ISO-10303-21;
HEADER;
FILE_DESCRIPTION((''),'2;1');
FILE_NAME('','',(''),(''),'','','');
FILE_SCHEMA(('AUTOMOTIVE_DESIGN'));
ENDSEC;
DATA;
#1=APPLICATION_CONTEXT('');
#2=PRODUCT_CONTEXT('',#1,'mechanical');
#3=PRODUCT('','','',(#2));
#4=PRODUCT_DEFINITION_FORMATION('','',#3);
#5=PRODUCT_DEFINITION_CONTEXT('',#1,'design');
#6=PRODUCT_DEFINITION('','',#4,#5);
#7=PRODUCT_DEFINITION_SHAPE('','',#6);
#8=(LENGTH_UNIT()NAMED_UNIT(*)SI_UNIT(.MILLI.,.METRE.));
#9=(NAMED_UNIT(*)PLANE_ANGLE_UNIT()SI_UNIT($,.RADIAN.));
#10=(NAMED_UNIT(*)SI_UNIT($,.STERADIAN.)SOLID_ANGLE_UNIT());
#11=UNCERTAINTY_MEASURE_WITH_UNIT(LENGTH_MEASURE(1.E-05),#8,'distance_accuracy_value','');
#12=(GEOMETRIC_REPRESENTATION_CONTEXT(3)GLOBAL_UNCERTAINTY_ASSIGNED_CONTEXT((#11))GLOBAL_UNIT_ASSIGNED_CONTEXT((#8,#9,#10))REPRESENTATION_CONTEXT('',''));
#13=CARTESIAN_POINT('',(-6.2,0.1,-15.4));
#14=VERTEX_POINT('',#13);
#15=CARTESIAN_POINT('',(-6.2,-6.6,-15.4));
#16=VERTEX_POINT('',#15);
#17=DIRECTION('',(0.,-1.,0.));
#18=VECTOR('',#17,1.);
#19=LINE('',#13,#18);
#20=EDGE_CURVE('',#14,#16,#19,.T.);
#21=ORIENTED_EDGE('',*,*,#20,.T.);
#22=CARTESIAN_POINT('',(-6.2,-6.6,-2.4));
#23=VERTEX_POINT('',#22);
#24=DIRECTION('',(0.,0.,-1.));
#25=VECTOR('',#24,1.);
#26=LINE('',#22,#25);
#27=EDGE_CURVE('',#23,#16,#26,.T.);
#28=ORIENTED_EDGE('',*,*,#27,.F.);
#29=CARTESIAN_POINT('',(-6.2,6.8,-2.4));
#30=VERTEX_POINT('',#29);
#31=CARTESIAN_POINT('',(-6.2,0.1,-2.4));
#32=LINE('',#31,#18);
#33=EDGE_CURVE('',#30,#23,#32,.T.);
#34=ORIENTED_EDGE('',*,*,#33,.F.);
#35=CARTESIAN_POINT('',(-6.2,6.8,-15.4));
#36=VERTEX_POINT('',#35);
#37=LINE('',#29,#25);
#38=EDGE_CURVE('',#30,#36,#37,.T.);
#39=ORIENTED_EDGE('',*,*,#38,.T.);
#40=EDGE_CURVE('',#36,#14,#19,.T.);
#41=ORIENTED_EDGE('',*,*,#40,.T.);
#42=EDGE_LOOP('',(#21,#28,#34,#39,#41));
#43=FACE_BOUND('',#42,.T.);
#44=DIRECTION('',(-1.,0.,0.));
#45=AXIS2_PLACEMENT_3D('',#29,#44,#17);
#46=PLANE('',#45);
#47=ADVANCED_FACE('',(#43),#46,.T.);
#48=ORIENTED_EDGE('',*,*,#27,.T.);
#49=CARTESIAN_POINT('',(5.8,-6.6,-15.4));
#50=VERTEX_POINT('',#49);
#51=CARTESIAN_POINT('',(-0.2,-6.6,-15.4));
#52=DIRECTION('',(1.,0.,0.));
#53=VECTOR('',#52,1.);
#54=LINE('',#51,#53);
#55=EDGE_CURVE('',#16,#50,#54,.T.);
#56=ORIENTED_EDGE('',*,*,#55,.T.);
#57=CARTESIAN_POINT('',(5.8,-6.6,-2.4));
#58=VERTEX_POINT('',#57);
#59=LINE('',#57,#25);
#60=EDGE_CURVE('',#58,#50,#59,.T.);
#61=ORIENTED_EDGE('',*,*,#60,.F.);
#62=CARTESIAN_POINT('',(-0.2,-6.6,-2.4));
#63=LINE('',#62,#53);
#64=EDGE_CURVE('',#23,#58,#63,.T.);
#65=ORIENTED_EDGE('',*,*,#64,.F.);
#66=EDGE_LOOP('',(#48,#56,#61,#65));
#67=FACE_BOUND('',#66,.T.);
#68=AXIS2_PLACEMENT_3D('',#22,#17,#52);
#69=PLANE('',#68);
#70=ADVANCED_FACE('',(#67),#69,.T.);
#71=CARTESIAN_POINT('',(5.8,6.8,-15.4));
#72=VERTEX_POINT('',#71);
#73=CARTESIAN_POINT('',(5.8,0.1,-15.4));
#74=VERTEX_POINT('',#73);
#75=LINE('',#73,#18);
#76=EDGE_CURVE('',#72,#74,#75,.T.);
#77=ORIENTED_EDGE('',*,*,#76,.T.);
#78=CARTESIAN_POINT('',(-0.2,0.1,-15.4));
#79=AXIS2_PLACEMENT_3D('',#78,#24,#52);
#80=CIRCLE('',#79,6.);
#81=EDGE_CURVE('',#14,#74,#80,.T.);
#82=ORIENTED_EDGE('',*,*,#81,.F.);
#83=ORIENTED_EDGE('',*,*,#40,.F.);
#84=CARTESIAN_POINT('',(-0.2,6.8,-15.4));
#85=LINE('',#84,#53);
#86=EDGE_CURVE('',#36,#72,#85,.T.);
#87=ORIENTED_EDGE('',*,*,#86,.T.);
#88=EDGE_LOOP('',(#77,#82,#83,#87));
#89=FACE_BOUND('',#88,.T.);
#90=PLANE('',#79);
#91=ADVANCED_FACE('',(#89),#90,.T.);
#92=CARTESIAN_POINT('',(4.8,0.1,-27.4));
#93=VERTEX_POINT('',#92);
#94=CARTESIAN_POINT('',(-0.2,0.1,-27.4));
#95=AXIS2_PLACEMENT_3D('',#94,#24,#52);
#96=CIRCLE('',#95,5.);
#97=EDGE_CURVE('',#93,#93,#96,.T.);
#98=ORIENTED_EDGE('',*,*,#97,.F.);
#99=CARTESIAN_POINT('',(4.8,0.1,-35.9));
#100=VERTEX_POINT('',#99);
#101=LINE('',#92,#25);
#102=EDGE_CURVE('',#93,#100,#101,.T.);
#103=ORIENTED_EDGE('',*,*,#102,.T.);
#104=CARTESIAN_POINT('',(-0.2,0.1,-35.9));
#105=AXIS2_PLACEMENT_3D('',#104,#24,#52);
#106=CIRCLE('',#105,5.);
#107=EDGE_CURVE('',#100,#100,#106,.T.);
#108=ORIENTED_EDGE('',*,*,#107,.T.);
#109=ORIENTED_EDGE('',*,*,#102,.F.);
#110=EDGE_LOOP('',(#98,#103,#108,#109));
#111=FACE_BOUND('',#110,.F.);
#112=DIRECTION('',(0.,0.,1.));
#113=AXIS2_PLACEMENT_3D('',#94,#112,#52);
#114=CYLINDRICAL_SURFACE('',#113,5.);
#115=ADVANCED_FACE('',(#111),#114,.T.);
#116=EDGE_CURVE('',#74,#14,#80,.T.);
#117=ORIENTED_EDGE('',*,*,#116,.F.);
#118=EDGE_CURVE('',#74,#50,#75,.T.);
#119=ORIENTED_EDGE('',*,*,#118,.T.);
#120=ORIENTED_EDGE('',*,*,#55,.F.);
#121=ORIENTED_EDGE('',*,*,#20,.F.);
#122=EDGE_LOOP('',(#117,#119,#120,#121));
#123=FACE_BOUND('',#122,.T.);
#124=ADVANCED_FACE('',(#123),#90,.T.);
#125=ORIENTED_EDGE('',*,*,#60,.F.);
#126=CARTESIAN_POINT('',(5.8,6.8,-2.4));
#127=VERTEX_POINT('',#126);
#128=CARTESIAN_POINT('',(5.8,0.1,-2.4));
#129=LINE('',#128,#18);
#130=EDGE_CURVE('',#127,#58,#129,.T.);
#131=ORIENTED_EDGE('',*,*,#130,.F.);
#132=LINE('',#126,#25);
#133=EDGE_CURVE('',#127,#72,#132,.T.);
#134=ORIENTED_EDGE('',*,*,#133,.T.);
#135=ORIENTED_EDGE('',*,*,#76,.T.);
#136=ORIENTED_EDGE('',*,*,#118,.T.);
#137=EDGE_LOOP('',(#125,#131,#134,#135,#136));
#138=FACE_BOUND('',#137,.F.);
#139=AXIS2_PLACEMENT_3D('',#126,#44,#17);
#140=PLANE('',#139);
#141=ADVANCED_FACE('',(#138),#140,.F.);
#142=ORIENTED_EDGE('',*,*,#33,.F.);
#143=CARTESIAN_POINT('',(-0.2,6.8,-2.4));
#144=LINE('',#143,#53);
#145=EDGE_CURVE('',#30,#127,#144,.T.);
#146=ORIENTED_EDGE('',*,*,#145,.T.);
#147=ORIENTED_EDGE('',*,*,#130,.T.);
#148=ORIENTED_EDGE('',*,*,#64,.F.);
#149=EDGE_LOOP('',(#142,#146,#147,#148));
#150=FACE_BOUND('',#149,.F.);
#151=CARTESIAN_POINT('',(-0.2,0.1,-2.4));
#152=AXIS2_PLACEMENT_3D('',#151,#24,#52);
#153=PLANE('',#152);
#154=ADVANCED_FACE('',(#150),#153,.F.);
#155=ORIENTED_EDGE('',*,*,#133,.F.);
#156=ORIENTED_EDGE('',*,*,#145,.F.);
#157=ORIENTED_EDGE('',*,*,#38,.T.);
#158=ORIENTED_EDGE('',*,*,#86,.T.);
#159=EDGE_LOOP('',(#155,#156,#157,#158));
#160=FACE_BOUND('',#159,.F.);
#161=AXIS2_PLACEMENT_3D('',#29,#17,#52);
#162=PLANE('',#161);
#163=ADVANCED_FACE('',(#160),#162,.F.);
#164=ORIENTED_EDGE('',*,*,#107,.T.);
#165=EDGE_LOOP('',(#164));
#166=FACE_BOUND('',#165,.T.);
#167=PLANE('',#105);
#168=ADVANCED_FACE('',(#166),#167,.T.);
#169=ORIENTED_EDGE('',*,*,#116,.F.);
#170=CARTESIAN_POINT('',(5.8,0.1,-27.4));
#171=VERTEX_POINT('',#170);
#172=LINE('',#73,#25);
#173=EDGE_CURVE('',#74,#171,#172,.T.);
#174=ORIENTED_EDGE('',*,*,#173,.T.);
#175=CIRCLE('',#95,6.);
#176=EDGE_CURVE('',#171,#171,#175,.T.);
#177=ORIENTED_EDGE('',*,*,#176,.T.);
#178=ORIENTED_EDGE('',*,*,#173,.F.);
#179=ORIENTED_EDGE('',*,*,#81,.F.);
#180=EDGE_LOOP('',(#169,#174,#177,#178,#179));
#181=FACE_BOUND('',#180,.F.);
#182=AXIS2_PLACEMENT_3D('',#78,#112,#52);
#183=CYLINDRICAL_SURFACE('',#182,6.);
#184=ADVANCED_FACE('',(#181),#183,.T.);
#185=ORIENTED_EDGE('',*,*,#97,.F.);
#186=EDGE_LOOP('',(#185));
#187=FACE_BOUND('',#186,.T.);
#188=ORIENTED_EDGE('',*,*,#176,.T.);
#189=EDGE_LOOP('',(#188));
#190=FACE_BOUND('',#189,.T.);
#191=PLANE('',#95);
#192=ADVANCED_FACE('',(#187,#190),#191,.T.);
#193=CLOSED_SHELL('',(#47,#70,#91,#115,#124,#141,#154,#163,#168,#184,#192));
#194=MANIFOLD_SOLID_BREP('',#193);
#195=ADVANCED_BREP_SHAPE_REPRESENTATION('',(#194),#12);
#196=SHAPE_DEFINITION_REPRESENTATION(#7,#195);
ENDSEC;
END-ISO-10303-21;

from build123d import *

# Parameters (mm, degrees)
SKETCH003_W             = 12
SKETCH003_H             = 13.4
PAD003_DEPTH            = 13
SKETCH004_R             = 6
PAD004_DEPTH            = 12
SKETCH005_R             = 5
PAD005_DEPTH            = 8.5
BODY002_PLACEMENT_ANGLE = 180


with BuildPart() as part:
    # Sketch003 → Pad003 (new body)
    with BuildSketch(Plane.XY):
        with Locations((6, 6.7)):
            Rectangle(SKETCH003_W, SKETCH003_H)
    extrude(amount=PAD003_DEPTH)

    # Sketch004 (on Face6 of Pad003) → Pad004 (join)
    with BuildSketch(Plane.XY.offset(13)):
        with Locations((6, 6.7)):
            Circle(SKETCH004_R)
    extrude(amount=PAD004_DEPTH)

    # Sketch005 (on Face9 of Pad004) → Pad005 (join)
    with BuildSketch(Plane.XY.offset(25)):
        with Locations((6, 6.7)):
            Circle(SKETCH005_R)
    extrude(amount=PAD005_DEPTH)


with BuildPart() as part_1:
    # Body002 placement: moved
    add(part.part.moved(Location((-6.2, 6.8, -2.4))).rotate(Axis((-6.2, 6.8, -2.4), (1, 0, 0)), BODY002_PLACEMENT_ANGLE))


solid = part_1.part
